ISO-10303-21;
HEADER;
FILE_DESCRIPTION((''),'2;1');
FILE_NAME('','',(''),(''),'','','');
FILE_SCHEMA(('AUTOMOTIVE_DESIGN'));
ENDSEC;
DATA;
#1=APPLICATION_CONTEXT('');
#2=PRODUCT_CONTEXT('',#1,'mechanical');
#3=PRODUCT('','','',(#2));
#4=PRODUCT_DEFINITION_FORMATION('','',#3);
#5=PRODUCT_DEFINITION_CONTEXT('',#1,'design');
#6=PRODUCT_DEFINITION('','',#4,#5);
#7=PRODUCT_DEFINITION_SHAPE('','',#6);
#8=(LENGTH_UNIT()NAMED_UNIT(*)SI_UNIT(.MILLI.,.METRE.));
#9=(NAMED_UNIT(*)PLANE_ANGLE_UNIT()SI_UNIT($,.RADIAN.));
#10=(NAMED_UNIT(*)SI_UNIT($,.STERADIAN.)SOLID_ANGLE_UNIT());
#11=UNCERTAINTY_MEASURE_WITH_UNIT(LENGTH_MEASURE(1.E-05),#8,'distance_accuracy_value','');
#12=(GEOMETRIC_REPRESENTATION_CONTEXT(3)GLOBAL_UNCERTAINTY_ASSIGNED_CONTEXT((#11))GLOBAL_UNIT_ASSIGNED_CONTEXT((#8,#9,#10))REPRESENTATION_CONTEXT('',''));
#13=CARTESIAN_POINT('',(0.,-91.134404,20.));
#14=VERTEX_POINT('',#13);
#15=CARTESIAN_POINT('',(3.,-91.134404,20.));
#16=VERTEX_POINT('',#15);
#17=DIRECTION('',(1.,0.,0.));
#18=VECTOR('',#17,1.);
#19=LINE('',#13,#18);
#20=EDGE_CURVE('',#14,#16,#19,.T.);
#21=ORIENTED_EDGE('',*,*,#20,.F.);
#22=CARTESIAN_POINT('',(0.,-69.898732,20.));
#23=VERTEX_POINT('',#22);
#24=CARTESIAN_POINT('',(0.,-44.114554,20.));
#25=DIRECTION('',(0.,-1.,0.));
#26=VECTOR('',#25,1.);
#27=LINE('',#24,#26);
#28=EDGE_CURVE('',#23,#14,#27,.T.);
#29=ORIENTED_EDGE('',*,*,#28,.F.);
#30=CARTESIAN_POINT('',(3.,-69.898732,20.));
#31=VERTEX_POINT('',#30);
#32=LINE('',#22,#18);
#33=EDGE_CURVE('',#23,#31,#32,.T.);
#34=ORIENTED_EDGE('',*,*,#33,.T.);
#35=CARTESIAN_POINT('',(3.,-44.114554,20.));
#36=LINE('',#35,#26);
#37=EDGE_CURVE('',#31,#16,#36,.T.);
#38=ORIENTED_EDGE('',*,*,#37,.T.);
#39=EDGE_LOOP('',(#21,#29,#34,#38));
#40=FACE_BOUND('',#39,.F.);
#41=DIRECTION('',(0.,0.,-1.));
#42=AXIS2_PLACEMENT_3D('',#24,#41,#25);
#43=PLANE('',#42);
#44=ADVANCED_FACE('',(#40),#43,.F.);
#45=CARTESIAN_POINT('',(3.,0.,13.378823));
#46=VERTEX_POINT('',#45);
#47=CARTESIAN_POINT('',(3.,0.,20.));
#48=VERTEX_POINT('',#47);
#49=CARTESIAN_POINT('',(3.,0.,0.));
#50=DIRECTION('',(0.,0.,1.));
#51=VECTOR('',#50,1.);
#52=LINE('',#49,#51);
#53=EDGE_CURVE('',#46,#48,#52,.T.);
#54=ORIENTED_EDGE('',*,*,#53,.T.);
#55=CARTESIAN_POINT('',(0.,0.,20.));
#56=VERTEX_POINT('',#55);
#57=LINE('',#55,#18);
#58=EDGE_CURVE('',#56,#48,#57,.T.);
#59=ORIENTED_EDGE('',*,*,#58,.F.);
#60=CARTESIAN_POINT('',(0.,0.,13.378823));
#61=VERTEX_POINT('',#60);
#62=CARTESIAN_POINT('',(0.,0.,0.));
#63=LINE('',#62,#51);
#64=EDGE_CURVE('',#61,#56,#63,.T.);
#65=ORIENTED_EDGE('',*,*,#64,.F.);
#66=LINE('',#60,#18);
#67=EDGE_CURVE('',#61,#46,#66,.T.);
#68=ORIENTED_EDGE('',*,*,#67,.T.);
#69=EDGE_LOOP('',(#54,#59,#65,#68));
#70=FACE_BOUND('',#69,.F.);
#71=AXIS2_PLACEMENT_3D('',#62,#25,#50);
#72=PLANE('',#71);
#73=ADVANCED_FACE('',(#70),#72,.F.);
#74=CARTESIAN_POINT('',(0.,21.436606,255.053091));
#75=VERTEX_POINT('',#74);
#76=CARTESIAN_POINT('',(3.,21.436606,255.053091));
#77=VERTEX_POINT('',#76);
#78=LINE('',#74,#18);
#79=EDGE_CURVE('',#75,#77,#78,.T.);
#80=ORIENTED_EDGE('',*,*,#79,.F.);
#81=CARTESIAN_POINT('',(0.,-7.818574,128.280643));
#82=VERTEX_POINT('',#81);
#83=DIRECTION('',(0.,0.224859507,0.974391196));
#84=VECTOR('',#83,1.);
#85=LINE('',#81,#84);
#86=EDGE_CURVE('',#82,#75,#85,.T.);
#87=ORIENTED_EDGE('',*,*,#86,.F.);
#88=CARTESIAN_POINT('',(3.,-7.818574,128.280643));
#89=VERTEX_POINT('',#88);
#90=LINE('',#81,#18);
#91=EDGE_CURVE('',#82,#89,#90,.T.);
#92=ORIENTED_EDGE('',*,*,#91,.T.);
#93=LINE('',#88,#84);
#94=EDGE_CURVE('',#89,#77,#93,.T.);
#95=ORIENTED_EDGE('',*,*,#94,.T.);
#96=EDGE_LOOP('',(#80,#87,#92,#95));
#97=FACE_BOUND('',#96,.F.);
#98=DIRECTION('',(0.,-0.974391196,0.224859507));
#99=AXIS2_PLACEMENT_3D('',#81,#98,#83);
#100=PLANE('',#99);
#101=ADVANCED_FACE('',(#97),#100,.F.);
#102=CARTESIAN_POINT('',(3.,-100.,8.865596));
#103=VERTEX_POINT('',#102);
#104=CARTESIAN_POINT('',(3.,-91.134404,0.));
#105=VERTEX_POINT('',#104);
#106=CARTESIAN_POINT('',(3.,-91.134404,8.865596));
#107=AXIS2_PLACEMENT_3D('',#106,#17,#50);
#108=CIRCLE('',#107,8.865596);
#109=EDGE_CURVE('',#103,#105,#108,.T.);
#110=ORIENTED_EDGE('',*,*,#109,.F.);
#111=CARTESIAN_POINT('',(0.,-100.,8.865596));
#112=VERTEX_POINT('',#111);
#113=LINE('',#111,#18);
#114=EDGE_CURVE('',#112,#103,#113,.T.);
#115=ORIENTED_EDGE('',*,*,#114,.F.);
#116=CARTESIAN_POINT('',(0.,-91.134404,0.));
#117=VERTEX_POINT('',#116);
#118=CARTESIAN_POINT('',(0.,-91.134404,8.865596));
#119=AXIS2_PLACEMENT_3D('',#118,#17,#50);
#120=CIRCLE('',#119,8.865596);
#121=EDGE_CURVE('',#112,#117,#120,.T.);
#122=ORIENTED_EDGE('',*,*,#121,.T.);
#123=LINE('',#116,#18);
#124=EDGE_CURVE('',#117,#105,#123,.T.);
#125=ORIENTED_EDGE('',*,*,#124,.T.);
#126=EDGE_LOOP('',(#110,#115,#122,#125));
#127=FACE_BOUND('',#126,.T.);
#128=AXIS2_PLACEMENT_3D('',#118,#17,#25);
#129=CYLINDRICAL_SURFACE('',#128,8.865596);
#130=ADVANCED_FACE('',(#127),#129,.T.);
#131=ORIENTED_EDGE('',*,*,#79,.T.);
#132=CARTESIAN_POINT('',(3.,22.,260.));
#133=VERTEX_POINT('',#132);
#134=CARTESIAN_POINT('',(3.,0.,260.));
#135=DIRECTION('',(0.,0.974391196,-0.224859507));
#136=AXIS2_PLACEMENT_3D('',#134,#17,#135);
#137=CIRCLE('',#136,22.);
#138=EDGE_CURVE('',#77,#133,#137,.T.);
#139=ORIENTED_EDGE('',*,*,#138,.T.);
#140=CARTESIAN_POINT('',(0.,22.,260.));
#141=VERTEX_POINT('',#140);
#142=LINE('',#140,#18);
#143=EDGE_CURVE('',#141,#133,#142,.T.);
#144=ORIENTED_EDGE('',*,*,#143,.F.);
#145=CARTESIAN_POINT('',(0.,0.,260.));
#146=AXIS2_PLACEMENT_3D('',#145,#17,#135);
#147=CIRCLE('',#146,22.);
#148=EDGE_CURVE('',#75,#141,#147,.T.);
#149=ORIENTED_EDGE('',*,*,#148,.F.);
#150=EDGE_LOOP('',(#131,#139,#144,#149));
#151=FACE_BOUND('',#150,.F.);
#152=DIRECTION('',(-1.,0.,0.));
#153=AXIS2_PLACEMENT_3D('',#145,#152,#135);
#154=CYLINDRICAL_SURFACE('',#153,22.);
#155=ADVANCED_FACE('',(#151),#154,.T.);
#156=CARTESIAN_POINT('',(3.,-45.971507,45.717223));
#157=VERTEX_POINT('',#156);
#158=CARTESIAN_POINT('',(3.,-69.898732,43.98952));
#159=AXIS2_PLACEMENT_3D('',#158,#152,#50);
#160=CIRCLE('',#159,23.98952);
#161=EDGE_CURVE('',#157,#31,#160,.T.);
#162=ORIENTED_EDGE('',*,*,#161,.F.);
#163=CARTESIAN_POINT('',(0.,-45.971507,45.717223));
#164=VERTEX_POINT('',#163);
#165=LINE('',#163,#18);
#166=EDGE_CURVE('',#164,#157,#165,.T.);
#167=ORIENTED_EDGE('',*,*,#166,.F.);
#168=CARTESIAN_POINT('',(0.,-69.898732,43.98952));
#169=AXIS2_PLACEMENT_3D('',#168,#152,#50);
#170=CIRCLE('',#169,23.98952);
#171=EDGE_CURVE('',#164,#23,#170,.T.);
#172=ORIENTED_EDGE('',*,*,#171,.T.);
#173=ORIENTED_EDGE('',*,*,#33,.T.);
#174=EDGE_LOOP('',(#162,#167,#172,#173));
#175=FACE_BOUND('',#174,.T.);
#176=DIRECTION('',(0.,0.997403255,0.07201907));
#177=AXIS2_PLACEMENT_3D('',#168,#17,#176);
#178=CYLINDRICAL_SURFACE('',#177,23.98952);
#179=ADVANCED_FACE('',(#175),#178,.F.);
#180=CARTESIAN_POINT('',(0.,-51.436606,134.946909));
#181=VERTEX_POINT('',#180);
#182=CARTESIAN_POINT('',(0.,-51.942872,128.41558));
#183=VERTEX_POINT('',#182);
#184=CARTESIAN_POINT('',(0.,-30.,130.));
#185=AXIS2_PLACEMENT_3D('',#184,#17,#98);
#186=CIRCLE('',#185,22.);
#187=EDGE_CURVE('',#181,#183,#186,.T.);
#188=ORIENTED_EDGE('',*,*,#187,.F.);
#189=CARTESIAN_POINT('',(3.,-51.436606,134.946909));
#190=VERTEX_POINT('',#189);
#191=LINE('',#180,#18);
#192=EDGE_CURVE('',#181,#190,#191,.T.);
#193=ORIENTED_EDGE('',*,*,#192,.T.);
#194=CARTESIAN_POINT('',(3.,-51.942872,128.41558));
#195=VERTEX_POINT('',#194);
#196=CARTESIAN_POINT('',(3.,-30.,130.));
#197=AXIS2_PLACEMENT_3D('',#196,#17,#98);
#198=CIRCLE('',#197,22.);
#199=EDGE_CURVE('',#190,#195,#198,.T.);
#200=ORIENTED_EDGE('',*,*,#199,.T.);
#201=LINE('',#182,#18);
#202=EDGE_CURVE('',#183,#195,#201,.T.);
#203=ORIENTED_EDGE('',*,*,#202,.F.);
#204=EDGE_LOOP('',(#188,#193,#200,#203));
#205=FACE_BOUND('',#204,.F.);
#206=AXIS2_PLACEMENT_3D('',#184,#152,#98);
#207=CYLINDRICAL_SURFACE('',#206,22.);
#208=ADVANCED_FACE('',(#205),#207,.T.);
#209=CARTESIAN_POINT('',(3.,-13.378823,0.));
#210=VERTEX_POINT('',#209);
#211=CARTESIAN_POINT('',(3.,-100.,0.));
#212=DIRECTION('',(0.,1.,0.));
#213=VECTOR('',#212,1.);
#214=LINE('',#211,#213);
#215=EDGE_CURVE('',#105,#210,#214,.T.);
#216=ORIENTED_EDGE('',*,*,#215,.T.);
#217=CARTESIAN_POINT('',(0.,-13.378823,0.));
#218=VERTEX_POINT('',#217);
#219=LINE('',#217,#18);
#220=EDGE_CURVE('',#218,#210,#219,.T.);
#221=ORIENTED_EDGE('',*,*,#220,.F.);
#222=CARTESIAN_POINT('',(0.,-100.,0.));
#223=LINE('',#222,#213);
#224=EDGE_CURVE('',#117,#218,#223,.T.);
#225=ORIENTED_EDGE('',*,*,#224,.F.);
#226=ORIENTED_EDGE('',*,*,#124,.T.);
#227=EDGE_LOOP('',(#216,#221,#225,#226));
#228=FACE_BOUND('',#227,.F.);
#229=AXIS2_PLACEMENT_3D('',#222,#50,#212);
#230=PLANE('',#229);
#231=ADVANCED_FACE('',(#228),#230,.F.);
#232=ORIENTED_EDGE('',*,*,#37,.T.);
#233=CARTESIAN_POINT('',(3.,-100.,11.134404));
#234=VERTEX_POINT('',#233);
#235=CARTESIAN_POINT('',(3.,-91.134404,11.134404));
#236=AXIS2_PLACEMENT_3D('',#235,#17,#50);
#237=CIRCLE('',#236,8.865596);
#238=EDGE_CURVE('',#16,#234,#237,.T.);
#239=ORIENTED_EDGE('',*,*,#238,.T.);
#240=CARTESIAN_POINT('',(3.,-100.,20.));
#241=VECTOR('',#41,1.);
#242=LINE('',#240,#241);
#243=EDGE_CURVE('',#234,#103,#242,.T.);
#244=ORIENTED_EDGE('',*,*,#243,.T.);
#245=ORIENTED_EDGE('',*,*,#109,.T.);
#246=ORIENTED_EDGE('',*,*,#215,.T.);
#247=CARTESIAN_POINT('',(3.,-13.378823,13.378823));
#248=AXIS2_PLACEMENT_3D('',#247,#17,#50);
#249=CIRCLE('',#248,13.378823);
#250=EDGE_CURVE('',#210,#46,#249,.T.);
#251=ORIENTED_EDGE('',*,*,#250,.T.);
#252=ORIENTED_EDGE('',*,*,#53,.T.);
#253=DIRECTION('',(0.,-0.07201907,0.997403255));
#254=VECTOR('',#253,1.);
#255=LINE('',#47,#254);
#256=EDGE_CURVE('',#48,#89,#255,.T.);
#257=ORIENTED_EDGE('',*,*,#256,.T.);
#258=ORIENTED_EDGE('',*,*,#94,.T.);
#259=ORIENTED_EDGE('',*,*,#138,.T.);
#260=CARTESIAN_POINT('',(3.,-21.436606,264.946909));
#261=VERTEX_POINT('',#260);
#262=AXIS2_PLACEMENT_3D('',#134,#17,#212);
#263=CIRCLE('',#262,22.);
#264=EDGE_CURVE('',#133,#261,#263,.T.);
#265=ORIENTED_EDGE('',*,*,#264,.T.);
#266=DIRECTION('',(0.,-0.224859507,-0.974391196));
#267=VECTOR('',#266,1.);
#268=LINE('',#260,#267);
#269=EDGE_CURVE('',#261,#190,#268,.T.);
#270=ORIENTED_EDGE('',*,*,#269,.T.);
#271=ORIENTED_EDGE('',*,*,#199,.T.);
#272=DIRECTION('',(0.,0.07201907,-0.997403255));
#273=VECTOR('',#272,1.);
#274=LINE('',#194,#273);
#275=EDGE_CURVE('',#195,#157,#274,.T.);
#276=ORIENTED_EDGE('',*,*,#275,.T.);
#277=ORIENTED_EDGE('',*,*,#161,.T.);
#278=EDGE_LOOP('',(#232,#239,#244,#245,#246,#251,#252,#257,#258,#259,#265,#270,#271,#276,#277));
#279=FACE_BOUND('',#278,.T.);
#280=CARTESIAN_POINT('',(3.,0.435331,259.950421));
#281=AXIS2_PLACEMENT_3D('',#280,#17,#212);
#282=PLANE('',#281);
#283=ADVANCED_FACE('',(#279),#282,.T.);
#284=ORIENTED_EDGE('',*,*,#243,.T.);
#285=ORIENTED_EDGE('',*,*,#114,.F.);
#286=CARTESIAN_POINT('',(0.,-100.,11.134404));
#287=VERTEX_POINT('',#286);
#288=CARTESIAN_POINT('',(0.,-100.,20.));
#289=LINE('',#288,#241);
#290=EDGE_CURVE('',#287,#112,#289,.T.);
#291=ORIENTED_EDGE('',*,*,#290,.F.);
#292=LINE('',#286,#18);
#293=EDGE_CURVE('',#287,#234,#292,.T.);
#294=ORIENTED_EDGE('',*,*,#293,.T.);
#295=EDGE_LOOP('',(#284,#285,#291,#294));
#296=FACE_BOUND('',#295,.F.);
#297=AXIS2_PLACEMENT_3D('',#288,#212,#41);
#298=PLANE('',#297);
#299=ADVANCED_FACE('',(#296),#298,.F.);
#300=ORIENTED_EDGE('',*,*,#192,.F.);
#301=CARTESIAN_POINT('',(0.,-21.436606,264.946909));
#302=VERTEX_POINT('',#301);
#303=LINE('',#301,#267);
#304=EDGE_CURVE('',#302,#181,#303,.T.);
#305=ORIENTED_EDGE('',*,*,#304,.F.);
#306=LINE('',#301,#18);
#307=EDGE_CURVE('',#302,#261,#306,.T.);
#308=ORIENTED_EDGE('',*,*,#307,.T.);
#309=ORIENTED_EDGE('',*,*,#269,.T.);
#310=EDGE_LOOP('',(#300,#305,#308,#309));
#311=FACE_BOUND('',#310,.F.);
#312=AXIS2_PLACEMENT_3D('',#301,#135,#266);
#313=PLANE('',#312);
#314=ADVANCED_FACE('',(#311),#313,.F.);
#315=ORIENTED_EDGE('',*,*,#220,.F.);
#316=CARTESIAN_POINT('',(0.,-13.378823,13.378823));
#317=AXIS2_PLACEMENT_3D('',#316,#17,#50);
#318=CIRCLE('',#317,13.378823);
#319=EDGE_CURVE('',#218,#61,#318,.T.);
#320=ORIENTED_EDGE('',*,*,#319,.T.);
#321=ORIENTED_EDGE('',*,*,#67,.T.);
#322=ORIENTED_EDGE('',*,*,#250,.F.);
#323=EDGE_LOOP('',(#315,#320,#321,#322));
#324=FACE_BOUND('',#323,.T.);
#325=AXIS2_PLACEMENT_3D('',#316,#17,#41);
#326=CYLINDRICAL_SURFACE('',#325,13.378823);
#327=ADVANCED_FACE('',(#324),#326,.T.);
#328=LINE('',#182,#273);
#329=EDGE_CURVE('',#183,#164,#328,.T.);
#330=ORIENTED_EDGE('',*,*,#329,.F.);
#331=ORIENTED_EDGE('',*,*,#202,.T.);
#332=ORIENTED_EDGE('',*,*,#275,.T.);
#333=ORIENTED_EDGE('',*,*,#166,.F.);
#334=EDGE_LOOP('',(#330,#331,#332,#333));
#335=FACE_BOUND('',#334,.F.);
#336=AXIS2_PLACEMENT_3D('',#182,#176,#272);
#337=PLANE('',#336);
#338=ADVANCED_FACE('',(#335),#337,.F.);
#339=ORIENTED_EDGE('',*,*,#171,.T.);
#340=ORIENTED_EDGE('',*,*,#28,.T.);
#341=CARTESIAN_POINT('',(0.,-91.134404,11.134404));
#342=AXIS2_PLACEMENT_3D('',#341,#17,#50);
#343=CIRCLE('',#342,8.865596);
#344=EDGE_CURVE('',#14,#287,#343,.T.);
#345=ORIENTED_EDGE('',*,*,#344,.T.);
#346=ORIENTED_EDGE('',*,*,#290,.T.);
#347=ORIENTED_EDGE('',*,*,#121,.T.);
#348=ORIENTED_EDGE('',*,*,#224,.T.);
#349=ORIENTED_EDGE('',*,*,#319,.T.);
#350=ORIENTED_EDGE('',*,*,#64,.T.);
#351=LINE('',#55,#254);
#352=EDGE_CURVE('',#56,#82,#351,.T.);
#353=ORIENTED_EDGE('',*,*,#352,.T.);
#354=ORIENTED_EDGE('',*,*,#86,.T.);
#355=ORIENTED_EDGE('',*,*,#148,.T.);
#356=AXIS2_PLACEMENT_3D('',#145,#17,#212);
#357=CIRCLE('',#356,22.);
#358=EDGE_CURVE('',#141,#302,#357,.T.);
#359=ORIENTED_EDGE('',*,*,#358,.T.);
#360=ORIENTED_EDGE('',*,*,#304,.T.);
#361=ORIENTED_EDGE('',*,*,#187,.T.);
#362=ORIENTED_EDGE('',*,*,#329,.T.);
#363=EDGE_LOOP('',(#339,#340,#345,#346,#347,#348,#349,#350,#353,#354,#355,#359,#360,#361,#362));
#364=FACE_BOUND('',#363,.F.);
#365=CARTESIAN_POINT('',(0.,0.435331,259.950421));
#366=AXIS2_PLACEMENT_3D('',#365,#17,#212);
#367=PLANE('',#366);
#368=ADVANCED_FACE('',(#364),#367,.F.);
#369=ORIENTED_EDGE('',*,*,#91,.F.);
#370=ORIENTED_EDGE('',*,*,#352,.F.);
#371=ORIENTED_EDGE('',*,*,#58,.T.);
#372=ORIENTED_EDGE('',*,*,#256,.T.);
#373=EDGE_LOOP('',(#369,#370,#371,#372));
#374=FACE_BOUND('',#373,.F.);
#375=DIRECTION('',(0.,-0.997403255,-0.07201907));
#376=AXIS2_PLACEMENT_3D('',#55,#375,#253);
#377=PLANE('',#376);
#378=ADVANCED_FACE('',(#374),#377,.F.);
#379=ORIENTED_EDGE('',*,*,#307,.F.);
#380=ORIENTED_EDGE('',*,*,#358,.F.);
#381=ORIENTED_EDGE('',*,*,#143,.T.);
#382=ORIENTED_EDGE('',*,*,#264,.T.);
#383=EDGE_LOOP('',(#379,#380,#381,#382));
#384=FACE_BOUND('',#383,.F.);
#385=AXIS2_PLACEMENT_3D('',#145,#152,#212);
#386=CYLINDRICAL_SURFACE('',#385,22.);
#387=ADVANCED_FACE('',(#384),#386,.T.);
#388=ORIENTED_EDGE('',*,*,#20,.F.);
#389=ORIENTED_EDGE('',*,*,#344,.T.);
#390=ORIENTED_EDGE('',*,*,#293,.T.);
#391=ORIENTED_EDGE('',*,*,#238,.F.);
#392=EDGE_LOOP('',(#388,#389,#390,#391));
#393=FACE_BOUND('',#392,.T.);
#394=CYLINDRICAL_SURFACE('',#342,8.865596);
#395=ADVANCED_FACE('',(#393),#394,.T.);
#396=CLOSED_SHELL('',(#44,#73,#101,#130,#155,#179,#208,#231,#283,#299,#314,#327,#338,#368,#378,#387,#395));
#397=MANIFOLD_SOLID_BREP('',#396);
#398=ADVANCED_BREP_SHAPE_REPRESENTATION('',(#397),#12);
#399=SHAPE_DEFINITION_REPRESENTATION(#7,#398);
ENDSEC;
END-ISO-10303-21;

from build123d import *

# Parameters (mm, degrees)
F1_DEPTH = 3
F2_R     = 23.9895203097
F3_R     = 8.8655957544
F4_R     = 13.3788231565


with BuildPart() as f1:
    # F0 (on Right) → F1 (new body)
    with BuildSketch(Plane.YZ):
        with BuildLine():
            ThreePointArc((21.4366063053, 255.0530908526), (21.8586977965, 257.5105561581), (22, 260))
            ThreePointArc((22, 260), (2.4894438419, 281.8586977965), (-21.4366063053, 264.9469091474))
            ThreePointArc((-21.4366063053, 264.9469091474), (-4.9469091474, 238.5633936947), (21.4366063053, 255.0530908526))
        make_face()
        with BuildLine():
            ThreePointArc((21.4366063053, 255.0530908526), (-4.9469091474, 238.5633936947), (-21.4366063053, 264.9469091474))
            Line((-21.4366063053, 264.9469091474), (-51.4366063053, 134.9469091474))
            ThreePointArc((-51.4366063053, 134.9469091474), (-28.2998058213, 151.9342047897), (-8.0571283842, 131.5844195316))
            Line((-8.0571283842, 131.5844195316), (-7.8185739981, 128.2806428715))
            Line((-7.8185739981, 128.2806428715), (21.4366063053, 255.0530908526))
        make_face()
        with BuildLine():
            ThreePointArc((-8.0571283842, 131.5844195316), (-28.2998058213, 151.9342047897), (-51.4366063053, 134.9469091474))
            ThreePointArc((-51.4366063053, 134.9469091474), (-51.9342047897, 131.7001941787), (-51.9428716158, 128.4155804684))
            ThreePointArc((-51.9428716158, 128.4155804684), (-31.7001941787, 108.0657952103), (-8.5633936947, 125.0530908526))
            ThreePointArc((-8.5633936947, 125.0530908526), (-8.1413022035, 127.5105561581), (-8, 130))
            ThreePointArc((-8, 130), (-8.0142867349, 130.7927245588), (-8.0571283842, 131.5844195316))
        make_face()
        with BuildLine():
            Line((-8.5633936947, 125.0530908526), (-7.8185739981, 128.2806428715))
            Line((-7.8185739981, 128.2806428715), (-8.0571283842, 131.5844195316))
            ThreePointArc((-8.0571283842, 131.5844195316), (-8.0142867349, 130.7927245588), (-8, 130))
            ThreePointArc((-8, 130), (-8.1413022035, 127.5105561581), (-8.5633936947, 125.0530908526))
        make_face()
        with BuildLine():
            Line((0, 20), (-7.8185739981, 128.2806428715))
            Line((-7.8185739981, 128.2806428715), (-8.5633936947, 125.0530908526))
            ThreePointArc((-8.5633936947, 125.0530908526), (-31.7001941787, 108.0657952103), (-51.9428716158, 128.4155804684))
            Line((-51.9428716158, 128.4155804684), (-44.1145542365, 20))
            Line((-44.1145542365, 20), (0, 20))
        make_face()
        Polygon((0, 0), (0, 20), (-44.1145542365, 20), (-100, 20), (-100, 0), align=None)
    extrude(amount=F1_DEPTH)

    # F2
    f2_edges = [f1.edges().sort_by_distance(p)[0] for p in [
        (1.5, -44.114554, 20),
    ]]
    fillet(f2_edges, radius=F2_R)

    # F3
    f3_edges = [f1.edges().sort_by_distance(p)[0] for p in [
        (1.5, -100, 20),
        (1.5, -100, 0),
    ]]
    fillet(f3_edges, radius=F3_R)

    # F4
    f4_edges = [f1.edges().sort_by_distance(p)[0] for p in [
        (1.5, 0, 0),
    ]]
    fillet(f4_edges, radius=F4_R)


solid = f1.part
